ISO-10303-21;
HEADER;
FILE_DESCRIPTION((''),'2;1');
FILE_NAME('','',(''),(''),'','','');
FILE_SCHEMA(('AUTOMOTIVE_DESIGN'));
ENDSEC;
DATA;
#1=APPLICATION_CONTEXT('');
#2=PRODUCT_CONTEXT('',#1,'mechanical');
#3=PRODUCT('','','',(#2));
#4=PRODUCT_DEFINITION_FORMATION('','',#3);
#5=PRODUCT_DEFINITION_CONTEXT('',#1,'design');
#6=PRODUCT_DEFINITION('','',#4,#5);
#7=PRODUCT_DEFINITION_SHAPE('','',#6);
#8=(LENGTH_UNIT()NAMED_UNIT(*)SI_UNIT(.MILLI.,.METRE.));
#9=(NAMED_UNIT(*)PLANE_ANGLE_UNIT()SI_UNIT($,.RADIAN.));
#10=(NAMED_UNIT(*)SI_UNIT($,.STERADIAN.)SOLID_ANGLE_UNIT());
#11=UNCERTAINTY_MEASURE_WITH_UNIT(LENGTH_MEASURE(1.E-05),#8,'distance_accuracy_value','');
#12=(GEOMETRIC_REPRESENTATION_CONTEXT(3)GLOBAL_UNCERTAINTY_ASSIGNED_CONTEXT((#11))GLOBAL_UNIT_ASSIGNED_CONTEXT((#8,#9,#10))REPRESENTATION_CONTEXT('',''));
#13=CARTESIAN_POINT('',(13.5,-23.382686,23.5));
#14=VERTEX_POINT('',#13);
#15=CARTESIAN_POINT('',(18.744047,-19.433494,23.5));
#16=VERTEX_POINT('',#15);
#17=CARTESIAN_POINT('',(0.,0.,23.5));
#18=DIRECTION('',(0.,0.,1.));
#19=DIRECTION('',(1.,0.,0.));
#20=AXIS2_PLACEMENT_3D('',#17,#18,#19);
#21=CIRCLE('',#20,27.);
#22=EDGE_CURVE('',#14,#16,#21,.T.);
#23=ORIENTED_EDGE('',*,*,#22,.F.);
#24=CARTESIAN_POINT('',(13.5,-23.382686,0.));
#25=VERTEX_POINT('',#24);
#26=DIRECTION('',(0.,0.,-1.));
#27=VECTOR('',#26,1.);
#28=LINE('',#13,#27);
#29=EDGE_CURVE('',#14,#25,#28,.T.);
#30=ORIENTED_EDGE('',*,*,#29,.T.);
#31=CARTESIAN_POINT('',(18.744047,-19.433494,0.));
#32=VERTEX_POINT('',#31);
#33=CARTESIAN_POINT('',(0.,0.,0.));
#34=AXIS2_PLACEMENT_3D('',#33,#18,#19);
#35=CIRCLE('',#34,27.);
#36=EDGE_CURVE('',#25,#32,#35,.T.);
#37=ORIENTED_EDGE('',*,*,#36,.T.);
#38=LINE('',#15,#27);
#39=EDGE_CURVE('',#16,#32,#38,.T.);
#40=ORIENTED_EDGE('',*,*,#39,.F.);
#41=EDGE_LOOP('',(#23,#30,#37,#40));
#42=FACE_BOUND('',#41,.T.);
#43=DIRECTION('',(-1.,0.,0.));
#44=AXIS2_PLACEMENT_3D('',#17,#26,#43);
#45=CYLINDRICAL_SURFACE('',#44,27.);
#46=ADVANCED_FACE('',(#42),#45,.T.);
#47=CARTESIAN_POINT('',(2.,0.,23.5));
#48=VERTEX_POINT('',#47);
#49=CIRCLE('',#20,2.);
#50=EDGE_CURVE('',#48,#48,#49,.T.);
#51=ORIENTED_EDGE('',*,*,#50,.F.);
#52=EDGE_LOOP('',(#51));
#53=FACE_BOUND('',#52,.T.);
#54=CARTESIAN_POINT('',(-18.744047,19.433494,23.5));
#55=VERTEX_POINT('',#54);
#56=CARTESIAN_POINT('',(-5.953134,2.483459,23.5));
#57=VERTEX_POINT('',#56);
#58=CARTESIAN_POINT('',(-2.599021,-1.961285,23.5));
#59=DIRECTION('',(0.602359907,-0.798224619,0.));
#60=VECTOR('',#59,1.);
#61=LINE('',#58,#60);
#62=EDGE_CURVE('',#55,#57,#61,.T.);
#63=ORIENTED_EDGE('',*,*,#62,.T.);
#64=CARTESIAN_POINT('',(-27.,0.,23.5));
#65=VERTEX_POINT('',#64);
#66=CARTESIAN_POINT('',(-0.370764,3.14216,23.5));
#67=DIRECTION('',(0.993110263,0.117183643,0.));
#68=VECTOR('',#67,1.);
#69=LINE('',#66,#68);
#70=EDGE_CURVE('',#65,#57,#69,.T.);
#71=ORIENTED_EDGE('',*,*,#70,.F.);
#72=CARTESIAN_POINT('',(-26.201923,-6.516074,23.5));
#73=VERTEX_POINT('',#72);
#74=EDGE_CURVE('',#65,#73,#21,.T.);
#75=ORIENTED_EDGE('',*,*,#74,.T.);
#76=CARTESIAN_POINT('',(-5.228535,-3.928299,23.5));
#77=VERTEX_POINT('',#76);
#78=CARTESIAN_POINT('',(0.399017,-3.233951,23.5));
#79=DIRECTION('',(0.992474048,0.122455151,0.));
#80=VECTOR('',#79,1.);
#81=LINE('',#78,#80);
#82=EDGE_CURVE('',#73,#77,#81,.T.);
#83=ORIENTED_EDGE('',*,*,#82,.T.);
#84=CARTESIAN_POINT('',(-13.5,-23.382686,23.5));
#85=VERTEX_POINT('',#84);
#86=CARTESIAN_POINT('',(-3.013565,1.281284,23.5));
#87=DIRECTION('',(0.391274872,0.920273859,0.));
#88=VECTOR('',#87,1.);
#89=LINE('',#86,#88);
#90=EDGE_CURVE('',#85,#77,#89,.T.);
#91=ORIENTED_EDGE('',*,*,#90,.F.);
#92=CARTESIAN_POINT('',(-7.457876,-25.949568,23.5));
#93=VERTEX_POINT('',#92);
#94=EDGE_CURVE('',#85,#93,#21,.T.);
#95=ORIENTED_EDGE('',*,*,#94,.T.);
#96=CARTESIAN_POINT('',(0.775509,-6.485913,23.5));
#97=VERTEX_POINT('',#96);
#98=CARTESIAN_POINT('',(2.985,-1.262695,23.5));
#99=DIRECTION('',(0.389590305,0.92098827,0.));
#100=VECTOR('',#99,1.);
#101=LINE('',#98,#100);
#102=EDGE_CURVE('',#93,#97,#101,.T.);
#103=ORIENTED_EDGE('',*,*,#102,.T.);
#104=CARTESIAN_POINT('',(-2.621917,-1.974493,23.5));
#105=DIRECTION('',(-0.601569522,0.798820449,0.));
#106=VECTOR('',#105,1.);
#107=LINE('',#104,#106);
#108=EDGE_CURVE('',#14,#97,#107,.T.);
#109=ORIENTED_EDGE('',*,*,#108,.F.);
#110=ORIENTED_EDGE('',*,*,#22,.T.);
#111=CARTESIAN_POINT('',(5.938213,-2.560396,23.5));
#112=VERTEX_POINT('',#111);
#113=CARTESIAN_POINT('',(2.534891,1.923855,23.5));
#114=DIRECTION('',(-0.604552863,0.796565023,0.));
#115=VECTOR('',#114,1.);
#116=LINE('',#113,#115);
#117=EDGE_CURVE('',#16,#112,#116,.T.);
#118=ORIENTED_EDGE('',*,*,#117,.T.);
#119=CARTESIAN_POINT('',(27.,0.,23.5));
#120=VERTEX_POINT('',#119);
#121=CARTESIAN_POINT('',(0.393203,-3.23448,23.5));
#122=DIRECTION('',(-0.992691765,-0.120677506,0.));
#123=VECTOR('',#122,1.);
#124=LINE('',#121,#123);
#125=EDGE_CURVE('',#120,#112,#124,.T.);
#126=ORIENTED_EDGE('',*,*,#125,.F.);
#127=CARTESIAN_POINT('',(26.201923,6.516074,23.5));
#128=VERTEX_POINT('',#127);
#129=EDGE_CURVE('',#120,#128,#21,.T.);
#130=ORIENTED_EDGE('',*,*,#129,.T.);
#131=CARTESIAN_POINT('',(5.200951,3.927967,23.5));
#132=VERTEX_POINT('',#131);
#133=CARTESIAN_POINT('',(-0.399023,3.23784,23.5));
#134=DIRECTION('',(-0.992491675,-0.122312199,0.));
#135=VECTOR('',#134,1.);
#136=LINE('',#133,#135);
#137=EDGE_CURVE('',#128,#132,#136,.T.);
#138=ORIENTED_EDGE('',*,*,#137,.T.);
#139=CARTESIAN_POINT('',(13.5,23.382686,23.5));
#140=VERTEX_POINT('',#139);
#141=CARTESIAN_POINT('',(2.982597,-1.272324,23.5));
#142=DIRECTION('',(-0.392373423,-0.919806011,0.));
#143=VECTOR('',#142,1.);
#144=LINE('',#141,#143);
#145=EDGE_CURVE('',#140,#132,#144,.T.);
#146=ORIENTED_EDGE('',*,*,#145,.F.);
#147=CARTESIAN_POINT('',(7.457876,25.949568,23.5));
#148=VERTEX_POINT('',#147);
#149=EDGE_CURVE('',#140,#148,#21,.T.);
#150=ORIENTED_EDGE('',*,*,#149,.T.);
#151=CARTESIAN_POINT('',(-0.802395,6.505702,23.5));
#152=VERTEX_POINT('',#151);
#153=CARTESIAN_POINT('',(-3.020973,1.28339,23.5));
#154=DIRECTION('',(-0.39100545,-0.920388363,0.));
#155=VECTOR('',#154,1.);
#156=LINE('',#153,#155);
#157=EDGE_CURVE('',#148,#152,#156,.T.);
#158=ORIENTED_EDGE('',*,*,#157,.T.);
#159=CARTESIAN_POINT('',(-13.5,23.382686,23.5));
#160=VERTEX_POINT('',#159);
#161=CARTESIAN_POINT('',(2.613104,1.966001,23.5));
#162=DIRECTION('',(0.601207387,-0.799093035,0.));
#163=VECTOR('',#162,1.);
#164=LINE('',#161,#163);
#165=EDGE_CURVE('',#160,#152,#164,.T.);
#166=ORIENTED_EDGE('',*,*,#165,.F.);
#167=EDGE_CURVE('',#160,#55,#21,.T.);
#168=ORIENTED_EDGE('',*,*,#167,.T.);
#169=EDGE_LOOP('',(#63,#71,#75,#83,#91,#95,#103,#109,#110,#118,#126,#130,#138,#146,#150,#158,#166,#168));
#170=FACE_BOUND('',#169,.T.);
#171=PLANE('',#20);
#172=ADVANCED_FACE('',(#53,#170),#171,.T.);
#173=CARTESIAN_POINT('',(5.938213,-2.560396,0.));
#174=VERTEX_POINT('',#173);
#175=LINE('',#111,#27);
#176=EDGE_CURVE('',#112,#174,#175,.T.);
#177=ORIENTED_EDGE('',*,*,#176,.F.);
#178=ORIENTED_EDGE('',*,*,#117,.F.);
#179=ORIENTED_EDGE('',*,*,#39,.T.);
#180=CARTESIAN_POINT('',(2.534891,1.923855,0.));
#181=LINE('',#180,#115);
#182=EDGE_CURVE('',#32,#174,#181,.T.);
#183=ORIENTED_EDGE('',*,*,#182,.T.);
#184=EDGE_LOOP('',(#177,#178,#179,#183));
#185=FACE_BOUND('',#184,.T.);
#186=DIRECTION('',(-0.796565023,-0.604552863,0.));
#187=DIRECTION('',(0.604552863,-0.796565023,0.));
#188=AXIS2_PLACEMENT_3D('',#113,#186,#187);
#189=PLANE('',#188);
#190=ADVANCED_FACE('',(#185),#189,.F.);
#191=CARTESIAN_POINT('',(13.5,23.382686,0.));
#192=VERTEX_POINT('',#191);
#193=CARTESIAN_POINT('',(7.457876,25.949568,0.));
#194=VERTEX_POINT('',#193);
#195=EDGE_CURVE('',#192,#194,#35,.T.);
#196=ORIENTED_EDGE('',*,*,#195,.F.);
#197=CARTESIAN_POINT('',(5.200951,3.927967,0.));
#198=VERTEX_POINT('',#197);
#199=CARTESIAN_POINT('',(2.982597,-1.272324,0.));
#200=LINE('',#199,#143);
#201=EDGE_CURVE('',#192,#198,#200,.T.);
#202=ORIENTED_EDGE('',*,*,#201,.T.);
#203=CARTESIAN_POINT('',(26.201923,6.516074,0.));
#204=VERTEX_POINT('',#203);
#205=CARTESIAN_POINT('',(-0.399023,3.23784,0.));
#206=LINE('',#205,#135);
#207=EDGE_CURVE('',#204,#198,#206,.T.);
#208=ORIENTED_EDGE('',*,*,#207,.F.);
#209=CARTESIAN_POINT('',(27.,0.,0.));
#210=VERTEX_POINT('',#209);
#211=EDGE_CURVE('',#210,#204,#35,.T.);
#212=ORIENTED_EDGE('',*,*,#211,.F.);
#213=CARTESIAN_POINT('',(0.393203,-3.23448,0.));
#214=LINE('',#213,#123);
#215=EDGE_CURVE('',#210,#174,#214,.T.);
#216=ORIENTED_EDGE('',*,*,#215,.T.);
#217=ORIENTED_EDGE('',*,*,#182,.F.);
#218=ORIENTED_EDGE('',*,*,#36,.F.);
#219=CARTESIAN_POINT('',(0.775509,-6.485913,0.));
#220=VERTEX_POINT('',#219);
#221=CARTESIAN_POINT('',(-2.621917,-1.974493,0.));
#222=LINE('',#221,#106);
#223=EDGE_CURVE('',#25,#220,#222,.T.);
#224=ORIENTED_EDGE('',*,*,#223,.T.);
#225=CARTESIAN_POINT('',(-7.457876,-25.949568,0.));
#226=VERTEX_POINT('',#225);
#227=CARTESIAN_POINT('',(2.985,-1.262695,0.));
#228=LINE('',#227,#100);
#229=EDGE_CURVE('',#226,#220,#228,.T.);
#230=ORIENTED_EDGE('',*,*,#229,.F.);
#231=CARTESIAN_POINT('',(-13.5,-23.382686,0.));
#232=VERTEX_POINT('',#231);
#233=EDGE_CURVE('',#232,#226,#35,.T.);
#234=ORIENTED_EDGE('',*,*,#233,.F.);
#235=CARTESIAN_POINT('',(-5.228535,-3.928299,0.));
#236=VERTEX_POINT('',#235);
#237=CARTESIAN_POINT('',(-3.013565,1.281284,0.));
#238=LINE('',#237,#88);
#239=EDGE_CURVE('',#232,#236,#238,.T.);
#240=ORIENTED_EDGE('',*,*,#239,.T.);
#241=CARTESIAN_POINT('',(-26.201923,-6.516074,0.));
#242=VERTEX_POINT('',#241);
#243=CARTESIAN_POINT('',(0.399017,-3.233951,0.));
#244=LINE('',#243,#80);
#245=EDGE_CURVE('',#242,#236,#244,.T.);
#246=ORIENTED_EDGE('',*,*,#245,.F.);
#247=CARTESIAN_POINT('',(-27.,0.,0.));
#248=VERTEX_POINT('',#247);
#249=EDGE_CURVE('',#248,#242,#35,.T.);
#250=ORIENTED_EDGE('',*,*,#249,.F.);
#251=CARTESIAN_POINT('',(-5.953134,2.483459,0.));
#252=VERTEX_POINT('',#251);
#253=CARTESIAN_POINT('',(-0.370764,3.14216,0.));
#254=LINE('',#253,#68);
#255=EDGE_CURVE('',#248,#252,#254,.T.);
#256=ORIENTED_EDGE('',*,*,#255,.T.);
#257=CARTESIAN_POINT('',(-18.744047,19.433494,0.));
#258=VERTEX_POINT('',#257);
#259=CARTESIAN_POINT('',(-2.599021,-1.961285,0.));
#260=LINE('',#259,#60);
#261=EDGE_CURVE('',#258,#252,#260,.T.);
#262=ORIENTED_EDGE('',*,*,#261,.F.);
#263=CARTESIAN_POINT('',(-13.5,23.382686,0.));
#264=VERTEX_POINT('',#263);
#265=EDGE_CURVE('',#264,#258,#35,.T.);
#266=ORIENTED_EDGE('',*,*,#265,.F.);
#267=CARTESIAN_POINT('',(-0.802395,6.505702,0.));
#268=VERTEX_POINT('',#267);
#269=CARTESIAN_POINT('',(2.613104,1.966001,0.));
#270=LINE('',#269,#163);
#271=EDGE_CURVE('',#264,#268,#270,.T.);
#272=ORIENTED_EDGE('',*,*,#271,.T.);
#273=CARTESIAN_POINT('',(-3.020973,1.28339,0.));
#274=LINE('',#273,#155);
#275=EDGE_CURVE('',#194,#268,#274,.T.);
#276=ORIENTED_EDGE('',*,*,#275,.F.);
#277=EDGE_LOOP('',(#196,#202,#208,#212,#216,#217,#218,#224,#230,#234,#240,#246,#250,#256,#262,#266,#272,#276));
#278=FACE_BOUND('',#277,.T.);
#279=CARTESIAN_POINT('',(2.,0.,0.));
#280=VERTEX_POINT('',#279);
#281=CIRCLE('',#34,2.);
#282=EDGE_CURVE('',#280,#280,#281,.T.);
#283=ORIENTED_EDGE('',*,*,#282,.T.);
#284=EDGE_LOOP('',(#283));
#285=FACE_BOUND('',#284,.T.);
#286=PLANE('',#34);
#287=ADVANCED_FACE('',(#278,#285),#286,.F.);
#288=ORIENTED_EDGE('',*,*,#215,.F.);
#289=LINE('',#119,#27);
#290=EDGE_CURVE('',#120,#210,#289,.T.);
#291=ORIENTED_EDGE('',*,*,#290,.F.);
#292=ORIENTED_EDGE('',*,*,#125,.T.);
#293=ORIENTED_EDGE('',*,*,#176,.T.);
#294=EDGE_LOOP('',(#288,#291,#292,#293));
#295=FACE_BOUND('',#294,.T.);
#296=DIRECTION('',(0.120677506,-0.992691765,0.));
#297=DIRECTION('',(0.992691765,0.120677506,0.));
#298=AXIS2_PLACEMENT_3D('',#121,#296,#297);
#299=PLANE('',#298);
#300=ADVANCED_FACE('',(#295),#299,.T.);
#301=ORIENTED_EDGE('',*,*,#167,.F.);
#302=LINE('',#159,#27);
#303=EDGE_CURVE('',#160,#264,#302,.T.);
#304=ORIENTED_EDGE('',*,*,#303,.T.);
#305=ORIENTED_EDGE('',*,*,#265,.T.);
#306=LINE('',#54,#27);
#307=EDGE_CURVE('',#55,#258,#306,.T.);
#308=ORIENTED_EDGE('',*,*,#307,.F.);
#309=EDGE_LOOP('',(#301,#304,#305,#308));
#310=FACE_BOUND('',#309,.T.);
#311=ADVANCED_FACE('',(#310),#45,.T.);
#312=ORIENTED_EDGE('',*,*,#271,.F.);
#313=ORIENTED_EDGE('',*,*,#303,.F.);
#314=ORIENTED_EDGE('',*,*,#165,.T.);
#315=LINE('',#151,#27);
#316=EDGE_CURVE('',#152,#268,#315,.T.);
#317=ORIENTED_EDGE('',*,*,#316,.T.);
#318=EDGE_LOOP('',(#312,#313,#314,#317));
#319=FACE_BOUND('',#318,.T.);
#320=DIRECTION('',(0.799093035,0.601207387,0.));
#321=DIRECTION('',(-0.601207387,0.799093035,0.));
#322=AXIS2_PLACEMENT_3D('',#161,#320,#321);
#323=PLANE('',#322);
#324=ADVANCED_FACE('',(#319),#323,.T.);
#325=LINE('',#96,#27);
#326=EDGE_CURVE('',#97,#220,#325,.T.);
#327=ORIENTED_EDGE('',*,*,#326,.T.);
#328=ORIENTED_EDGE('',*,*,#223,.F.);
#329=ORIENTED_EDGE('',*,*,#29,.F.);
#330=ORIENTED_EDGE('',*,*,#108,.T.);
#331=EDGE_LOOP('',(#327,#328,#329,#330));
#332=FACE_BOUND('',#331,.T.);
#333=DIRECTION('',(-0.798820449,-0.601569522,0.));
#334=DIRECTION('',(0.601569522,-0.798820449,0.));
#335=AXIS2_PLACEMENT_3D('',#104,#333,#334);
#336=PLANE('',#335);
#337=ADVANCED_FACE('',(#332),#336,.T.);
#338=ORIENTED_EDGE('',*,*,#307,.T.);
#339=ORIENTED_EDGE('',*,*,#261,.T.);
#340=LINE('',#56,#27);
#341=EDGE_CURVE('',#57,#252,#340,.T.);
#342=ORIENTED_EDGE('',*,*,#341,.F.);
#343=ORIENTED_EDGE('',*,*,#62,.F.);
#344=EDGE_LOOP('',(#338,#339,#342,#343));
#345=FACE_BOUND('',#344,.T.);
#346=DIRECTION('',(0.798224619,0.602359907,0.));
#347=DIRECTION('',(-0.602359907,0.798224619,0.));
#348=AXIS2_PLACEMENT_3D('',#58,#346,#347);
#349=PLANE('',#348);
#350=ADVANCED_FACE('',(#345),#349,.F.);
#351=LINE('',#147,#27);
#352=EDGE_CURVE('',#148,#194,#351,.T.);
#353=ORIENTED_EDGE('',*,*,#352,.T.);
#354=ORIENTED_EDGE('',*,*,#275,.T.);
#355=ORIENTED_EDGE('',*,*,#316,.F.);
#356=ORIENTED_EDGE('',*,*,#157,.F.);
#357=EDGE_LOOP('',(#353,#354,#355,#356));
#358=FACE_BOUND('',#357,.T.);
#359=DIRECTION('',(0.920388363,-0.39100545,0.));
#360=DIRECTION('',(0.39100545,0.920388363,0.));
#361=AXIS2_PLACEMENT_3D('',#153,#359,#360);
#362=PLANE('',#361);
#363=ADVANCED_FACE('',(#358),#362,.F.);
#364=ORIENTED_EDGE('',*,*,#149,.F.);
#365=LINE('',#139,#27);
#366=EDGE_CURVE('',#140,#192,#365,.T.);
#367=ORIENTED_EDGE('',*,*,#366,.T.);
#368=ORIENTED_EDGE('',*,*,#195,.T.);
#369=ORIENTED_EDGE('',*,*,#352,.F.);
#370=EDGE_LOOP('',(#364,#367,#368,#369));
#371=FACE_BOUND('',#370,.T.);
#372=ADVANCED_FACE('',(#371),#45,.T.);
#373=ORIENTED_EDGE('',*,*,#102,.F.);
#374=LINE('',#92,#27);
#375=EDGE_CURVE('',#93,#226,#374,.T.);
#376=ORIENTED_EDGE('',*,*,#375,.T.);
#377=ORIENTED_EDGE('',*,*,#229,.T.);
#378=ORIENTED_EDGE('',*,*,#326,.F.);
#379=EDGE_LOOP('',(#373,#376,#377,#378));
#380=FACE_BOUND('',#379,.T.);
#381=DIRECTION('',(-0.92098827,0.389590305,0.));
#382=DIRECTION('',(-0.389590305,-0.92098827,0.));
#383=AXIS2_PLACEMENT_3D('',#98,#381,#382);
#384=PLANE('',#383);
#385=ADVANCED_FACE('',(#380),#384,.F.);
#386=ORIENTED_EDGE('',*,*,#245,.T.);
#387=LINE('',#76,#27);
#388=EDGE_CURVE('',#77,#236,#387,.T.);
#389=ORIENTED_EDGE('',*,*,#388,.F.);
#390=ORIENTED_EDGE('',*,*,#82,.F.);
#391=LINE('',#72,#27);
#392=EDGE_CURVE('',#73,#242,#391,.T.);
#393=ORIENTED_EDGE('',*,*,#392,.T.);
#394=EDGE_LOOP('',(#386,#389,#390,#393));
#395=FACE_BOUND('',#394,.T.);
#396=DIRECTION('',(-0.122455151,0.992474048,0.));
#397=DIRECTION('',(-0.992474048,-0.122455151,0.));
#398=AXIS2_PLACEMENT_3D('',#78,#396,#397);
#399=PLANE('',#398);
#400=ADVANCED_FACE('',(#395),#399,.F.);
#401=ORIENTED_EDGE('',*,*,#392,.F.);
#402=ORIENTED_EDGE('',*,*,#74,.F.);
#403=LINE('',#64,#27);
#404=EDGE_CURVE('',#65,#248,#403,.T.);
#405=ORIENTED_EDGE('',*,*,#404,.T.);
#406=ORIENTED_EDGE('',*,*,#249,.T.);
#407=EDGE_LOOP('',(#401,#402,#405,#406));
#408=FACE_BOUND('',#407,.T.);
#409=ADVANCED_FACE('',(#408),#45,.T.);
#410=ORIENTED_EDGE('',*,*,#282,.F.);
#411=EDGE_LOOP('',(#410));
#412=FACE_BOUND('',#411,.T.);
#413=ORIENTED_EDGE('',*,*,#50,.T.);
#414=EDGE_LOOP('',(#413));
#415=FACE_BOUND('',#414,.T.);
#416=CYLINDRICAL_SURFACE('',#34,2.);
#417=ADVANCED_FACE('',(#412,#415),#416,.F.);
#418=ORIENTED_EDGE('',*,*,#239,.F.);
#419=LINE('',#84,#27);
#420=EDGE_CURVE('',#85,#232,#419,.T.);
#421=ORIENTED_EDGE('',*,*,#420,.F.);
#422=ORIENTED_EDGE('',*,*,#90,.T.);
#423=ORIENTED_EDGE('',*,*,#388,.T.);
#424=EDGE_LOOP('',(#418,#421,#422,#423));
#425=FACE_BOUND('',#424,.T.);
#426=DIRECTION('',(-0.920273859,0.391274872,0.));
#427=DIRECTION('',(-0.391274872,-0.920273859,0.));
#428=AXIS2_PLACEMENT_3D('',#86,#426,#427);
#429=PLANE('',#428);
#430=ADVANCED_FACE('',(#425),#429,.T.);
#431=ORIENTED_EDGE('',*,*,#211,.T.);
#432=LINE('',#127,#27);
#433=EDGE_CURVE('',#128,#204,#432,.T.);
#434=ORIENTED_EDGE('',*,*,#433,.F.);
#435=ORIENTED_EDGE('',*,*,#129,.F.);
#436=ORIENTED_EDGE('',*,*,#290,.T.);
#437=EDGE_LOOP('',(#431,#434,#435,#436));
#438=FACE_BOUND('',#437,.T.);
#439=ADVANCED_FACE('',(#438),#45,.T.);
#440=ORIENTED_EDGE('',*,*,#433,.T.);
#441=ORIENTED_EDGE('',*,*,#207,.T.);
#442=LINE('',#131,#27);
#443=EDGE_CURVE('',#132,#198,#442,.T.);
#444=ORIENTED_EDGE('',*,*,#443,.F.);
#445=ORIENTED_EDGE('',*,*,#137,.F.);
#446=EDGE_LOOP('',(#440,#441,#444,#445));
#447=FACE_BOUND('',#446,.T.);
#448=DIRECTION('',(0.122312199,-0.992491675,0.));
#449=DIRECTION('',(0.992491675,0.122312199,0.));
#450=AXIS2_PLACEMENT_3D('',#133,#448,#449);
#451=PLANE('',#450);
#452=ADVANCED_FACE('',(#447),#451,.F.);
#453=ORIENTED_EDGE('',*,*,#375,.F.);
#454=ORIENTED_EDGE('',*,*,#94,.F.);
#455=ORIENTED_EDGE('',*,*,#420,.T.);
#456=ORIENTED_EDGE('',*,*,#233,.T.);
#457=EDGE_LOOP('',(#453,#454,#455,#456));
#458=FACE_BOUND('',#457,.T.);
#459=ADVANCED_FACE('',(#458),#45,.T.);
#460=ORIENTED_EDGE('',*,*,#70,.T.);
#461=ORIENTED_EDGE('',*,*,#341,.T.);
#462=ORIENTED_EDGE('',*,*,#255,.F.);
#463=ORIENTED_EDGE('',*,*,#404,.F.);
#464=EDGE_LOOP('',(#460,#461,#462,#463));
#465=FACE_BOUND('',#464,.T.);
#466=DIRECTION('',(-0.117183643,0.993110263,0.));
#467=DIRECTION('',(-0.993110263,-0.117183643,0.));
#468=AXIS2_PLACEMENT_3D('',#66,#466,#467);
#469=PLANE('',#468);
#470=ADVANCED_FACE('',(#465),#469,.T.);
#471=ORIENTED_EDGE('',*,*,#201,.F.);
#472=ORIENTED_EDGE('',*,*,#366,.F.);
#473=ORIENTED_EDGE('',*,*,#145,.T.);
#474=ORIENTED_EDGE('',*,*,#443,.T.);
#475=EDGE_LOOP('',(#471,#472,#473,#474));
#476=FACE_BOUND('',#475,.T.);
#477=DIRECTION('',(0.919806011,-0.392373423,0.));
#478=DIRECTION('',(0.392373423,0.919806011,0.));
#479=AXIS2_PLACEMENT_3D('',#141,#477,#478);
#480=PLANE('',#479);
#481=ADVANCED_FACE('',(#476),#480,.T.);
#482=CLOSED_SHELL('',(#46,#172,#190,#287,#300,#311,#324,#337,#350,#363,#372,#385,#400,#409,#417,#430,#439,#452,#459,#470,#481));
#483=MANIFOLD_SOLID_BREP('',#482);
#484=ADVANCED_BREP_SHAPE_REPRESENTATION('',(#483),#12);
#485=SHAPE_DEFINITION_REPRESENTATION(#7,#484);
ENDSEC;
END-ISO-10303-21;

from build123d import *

# Parameters (mm, degrees)
EXTRUDE_1_DEPTH          = 23.5
CUT_EXTRUDE_1_DEPTH      = 45.211198656
CUT_EXTRUDE_1_DEPTH_BACK = 45.211198656
SKETCH_2_R               = 2


with BuildPart() as part:
    # 草图1 → 凸台-拉伸1 (new body)
    with BuildSketch(Plane.XY):
        with BuildLine():
            Line((-18.74404726, 19.433494084), (-5.953134221, 2.483458779))
            Line((-5.953134221, 2.483458779), (-27, 0))
            ThreePointArc((-27, 0), (-26.799738116, -3.282382812), (-26.201923191, -6.516074055))
            Line((-26.201923191, -6.516074055), (-5.228535388, -3.928299208))
            Line((-5.228535388, -3.928299208), (-13.5, -23.382685902))
            ThreePointArc((-13.5, -23.382685902), (-10.557242158, -24.850445429), (-7.457875931, -25.949568139))
            Line((-7.457875931, -25.949568139), (0.77550929, -6.485913341))
            Line((0.77550929, -6.485913341), (13.5, -23.382685902))
            ThreePointArc((13.5, -23.382685902), (16.242495958, -21.568062617), (18.74404726, -19.433494084))
            Line((18.74404726, -19.433494084), (5.938212824, -2.560395934))
            Line((5.938212824, -2.560395934), (27, 0))
            ThreePointArc((27, 0), (26.799738116, 3.282382812), (26.201923191, 6.516074055))
            Line((26.201923191, 6.516074055), (5.200951411, 3.927966656))
            Line((5.200951411, 3.927966656), (13.5, 23.382685902))
            ThreePointArc((13.5, 23.382685902), (10.557242158, 24.850445429), (7.457875931, 25.949568139))
            Line((7.457875931, 25.949568139), (-0.802395418, 6.505702023))
            Line((-0.802395418, 6.505702023), (-13.5, 23.382685902))
            ThreePointArc((-13.5, 23.382685902), (-16.242495958, 21.568062617), (-18.74404726, 19.433494084))
        make_face()
    extrude(amount=EXTRUDE_1_DEPTH)

    # 草图2 → 切除-拉伸1 (cut, two sides: drawn at the far end of the back side and taken through both)
    with BuildSketch(Plane.XY.offset(23.5).offset(-CUT_EXTRUDE_1_DEPTH_BACK)):
        Circle(SKETCH_2_R)
    extrude(amount=CUT_EXTRUDE_1_DEPTH + CUT_EXTRUDE_1_DEPTH_BACK, mode=Mode.SUBTRACT)


solid = part.part
